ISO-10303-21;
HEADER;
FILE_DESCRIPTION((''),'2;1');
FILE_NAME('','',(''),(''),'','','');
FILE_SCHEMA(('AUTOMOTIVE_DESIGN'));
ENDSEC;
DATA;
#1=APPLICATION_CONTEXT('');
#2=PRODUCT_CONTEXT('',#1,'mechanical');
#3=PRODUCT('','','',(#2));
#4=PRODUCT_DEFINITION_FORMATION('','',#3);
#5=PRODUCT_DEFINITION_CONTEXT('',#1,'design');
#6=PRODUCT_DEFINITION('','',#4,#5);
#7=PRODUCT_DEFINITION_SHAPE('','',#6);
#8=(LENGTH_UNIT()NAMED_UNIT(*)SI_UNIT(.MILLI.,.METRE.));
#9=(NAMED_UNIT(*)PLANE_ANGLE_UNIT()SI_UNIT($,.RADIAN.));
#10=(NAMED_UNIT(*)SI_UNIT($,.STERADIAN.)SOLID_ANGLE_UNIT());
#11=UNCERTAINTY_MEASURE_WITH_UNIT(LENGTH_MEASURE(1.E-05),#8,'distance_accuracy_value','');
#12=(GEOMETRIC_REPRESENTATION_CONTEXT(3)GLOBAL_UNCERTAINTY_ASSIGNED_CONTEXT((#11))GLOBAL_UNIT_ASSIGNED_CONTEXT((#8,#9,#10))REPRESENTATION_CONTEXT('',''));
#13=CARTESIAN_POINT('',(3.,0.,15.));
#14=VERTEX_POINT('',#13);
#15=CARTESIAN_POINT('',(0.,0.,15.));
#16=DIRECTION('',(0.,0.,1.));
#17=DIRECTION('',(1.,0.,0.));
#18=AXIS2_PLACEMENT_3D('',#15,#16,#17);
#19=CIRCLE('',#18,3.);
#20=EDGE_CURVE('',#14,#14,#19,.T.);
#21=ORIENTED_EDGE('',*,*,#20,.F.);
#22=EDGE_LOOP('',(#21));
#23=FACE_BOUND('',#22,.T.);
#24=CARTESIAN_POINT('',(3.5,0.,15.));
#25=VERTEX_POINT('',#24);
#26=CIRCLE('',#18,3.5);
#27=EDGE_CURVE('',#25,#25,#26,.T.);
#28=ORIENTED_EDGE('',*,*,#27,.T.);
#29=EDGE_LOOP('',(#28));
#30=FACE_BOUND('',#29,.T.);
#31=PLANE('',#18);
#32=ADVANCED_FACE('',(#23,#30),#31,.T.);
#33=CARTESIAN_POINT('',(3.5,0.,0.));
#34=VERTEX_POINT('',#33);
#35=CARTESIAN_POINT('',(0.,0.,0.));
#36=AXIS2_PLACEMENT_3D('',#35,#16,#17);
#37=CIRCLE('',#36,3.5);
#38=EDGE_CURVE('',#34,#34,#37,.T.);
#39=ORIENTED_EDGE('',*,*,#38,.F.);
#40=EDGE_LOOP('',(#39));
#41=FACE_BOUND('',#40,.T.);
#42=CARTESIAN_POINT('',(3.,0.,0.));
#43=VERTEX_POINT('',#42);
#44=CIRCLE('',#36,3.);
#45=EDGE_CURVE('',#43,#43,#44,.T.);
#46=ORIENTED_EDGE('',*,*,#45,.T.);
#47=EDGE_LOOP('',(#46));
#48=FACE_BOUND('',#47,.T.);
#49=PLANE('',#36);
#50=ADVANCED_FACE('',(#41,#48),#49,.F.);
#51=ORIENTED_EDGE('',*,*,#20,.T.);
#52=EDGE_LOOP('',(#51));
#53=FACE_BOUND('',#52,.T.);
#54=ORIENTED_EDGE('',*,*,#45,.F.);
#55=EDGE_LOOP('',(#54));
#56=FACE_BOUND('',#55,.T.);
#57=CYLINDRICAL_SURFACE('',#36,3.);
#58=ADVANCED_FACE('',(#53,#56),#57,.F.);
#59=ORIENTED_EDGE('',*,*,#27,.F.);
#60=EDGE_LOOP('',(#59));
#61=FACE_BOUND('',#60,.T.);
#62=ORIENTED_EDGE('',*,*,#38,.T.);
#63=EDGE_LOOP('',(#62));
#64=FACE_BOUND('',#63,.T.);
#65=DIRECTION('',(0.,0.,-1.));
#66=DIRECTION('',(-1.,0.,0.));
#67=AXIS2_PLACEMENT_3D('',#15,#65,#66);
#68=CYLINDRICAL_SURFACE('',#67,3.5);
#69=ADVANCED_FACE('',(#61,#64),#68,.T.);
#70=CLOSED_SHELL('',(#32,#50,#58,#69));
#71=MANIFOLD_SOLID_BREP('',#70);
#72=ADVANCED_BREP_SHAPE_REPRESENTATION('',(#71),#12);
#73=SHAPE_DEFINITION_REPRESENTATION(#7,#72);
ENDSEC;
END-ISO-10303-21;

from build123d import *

# Parameters (mm, degrees)
SKETCH1_R           = 3.5
BOSS_EXTRUDE1_DEPTH = 15
SKETCH2_R           = 3
CUT_EXTRUDE1_DEPTH  = 15


with BuildPart() as part:
    # Sketch1 → Boss-Extrude1 (new body)
    with BuildSketch(Plane.XY):
        Circle(SKETCH1_R)
    extrude(amount=BOSS_EXTRUDE1_DEPTH)

    # Sketch2 → Cut-Extrude1 (cut)
    with BuildSketch(Plane.XY.offset(15)):
        Circle(SKETCH2_R)
    extrude(amount=-CUT_EXTRUDE1_DEPTH, mode=Mode.SUBTRACT)


solid = part.part
